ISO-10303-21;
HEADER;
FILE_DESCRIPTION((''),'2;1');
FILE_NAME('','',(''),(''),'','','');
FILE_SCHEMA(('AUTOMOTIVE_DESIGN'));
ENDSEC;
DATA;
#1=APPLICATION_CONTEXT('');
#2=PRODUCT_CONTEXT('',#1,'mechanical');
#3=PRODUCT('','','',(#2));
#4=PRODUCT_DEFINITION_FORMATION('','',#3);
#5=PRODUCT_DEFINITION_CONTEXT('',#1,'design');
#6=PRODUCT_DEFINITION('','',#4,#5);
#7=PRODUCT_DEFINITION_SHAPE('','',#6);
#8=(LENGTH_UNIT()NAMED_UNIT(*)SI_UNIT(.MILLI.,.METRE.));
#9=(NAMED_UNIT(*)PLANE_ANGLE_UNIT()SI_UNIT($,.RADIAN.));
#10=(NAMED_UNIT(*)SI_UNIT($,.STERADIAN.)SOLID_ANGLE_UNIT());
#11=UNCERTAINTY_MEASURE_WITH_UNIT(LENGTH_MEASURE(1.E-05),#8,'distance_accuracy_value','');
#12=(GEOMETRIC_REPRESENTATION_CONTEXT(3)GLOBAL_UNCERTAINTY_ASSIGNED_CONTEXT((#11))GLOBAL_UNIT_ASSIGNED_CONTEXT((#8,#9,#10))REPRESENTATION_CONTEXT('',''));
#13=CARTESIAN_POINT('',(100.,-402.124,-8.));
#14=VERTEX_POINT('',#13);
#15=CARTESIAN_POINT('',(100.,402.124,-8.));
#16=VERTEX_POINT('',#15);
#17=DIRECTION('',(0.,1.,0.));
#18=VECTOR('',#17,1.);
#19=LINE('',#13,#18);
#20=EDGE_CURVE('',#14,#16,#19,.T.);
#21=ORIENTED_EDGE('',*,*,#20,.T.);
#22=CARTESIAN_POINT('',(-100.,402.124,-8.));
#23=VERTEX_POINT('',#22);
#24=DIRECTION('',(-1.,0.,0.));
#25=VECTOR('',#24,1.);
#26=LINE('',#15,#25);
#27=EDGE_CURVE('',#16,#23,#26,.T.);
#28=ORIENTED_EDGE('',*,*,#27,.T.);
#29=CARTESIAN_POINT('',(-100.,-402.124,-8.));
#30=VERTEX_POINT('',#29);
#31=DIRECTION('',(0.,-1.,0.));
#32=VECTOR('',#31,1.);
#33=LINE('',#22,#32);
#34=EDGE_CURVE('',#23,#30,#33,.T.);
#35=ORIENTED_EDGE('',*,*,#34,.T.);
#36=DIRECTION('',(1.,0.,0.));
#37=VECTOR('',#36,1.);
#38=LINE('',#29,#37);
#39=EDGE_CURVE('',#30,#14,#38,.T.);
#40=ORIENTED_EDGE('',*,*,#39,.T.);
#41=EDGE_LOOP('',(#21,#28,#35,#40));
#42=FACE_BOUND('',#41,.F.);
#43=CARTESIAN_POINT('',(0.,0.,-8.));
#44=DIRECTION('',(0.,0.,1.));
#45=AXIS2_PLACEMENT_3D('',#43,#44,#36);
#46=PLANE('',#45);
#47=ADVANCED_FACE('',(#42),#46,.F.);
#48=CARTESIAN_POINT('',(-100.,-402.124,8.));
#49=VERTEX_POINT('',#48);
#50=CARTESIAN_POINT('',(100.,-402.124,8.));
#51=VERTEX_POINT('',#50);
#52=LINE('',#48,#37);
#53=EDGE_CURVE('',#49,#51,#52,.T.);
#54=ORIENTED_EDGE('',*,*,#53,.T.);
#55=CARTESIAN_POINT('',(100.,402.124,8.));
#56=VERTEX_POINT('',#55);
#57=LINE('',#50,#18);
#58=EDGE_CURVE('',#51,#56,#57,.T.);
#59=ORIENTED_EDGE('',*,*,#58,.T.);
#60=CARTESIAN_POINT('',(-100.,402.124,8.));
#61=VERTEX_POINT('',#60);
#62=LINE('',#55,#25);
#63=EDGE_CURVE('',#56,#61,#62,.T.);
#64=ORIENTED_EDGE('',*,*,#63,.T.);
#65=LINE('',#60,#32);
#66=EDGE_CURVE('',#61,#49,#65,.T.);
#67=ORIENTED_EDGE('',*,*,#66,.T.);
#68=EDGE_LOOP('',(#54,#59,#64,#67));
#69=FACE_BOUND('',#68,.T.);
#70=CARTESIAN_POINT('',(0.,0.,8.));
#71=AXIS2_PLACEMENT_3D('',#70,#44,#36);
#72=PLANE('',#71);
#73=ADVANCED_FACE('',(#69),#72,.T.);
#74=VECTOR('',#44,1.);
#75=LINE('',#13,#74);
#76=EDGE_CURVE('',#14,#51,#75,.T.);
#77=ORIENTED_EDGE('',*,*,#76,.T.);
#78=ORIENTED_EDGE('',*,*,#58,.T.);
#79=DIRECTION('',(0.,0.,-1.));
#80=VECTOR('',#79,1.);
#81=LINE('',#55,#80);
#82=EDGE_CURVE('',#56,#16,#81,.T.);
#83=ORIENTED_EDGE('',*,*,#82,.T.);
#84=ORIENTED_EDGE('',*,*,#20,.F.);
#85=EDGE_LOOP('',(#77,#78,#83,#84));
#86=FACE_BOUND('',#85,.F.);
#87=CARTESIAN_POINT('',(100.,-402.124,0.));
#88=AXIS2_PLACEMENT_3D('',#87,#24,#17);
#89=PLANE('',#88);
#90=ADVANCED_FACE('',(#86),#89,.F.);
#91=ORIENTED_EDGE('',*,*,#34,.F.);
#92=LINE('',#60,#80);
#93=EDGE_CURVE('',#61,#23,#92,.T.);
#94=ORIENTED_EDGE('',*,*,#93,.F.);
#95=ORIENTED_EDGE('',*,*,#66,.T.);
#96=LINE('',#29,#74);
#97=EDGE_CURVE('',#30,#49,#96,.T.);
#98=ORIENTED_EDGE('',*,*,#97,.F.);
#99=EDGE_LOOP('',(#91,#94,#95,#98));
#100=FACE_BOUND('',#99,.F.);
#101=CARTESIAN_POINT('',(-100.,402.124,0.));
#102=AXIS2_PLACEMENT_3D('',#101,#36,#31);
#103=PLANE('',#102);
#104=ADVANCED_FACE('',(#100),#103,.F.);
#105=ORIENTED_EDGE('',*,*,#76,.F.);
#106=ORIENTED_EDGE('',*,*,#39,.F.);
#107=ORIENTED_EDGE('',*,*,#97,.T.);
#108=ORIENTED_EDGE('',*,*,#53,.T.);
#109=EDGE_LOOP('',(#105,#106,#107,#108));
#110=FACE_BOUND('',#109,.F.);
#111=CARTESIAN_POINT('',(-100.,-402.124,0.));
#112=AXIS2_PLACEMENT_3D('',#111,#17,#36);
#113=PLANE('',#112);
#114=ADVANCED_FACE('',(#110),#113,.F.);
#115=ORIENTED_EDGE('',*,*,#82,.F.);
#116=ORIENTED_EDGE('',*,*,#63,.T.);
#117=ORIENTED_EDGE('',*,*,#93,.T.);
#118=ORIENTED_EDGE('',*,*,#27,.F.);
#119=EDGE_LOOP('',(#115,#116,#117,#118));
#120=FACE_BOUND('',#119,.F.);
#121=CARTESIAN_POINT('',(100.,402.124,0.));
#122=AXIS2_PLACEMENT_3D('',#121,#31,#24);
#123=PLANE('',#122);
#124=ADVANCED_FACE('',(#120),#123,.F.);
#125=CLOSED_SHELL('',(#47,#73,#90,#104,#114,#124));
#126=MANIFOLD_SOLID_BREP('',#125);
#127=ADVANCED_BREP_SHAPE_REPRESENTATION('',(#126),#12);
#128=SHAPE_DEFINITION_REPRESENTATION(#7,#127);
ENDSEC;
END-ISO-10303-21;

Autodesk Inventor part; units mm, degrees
ref_plane "YZ Plane" through (0, 0, 0) normal (1, 0, 0) x (0, 1, 0)
ref_plane "XZ Plane" through (0, 0, 0) normal (0, 1, 0) x (-1, 0, 0)
ref_plane "XY Plane" through (0, 0, 0) normal (0, 0, 1) x (1, 0, 0)
sketch "Эскиз1" plane through (0, 0, 0) normal (0, 0, 1) x (1, 0, 0)
  line L0 (-100, -402.124) -> (100, -402.124)
  line L1 (100, -402.124) -> (100, 402.124)
  line L2 (100, 402.124) -> (-100, 402.124)
  line L3 (-100, 402.124) -> (-100, -402.124)
  line L4 (-100, -402.124) -> (100, 402.124) construction
  line L5 (100, -402.124) -> (-100, 402.124) construction
  point P0 (0, 0)
  dimension "d0" = 804.248
  dimension "d1" = 200
extrude "Выдавливание1" add sketch "Эскиз1" along normal mid plane 16
properties part number "Вертикальная_поверхность"
